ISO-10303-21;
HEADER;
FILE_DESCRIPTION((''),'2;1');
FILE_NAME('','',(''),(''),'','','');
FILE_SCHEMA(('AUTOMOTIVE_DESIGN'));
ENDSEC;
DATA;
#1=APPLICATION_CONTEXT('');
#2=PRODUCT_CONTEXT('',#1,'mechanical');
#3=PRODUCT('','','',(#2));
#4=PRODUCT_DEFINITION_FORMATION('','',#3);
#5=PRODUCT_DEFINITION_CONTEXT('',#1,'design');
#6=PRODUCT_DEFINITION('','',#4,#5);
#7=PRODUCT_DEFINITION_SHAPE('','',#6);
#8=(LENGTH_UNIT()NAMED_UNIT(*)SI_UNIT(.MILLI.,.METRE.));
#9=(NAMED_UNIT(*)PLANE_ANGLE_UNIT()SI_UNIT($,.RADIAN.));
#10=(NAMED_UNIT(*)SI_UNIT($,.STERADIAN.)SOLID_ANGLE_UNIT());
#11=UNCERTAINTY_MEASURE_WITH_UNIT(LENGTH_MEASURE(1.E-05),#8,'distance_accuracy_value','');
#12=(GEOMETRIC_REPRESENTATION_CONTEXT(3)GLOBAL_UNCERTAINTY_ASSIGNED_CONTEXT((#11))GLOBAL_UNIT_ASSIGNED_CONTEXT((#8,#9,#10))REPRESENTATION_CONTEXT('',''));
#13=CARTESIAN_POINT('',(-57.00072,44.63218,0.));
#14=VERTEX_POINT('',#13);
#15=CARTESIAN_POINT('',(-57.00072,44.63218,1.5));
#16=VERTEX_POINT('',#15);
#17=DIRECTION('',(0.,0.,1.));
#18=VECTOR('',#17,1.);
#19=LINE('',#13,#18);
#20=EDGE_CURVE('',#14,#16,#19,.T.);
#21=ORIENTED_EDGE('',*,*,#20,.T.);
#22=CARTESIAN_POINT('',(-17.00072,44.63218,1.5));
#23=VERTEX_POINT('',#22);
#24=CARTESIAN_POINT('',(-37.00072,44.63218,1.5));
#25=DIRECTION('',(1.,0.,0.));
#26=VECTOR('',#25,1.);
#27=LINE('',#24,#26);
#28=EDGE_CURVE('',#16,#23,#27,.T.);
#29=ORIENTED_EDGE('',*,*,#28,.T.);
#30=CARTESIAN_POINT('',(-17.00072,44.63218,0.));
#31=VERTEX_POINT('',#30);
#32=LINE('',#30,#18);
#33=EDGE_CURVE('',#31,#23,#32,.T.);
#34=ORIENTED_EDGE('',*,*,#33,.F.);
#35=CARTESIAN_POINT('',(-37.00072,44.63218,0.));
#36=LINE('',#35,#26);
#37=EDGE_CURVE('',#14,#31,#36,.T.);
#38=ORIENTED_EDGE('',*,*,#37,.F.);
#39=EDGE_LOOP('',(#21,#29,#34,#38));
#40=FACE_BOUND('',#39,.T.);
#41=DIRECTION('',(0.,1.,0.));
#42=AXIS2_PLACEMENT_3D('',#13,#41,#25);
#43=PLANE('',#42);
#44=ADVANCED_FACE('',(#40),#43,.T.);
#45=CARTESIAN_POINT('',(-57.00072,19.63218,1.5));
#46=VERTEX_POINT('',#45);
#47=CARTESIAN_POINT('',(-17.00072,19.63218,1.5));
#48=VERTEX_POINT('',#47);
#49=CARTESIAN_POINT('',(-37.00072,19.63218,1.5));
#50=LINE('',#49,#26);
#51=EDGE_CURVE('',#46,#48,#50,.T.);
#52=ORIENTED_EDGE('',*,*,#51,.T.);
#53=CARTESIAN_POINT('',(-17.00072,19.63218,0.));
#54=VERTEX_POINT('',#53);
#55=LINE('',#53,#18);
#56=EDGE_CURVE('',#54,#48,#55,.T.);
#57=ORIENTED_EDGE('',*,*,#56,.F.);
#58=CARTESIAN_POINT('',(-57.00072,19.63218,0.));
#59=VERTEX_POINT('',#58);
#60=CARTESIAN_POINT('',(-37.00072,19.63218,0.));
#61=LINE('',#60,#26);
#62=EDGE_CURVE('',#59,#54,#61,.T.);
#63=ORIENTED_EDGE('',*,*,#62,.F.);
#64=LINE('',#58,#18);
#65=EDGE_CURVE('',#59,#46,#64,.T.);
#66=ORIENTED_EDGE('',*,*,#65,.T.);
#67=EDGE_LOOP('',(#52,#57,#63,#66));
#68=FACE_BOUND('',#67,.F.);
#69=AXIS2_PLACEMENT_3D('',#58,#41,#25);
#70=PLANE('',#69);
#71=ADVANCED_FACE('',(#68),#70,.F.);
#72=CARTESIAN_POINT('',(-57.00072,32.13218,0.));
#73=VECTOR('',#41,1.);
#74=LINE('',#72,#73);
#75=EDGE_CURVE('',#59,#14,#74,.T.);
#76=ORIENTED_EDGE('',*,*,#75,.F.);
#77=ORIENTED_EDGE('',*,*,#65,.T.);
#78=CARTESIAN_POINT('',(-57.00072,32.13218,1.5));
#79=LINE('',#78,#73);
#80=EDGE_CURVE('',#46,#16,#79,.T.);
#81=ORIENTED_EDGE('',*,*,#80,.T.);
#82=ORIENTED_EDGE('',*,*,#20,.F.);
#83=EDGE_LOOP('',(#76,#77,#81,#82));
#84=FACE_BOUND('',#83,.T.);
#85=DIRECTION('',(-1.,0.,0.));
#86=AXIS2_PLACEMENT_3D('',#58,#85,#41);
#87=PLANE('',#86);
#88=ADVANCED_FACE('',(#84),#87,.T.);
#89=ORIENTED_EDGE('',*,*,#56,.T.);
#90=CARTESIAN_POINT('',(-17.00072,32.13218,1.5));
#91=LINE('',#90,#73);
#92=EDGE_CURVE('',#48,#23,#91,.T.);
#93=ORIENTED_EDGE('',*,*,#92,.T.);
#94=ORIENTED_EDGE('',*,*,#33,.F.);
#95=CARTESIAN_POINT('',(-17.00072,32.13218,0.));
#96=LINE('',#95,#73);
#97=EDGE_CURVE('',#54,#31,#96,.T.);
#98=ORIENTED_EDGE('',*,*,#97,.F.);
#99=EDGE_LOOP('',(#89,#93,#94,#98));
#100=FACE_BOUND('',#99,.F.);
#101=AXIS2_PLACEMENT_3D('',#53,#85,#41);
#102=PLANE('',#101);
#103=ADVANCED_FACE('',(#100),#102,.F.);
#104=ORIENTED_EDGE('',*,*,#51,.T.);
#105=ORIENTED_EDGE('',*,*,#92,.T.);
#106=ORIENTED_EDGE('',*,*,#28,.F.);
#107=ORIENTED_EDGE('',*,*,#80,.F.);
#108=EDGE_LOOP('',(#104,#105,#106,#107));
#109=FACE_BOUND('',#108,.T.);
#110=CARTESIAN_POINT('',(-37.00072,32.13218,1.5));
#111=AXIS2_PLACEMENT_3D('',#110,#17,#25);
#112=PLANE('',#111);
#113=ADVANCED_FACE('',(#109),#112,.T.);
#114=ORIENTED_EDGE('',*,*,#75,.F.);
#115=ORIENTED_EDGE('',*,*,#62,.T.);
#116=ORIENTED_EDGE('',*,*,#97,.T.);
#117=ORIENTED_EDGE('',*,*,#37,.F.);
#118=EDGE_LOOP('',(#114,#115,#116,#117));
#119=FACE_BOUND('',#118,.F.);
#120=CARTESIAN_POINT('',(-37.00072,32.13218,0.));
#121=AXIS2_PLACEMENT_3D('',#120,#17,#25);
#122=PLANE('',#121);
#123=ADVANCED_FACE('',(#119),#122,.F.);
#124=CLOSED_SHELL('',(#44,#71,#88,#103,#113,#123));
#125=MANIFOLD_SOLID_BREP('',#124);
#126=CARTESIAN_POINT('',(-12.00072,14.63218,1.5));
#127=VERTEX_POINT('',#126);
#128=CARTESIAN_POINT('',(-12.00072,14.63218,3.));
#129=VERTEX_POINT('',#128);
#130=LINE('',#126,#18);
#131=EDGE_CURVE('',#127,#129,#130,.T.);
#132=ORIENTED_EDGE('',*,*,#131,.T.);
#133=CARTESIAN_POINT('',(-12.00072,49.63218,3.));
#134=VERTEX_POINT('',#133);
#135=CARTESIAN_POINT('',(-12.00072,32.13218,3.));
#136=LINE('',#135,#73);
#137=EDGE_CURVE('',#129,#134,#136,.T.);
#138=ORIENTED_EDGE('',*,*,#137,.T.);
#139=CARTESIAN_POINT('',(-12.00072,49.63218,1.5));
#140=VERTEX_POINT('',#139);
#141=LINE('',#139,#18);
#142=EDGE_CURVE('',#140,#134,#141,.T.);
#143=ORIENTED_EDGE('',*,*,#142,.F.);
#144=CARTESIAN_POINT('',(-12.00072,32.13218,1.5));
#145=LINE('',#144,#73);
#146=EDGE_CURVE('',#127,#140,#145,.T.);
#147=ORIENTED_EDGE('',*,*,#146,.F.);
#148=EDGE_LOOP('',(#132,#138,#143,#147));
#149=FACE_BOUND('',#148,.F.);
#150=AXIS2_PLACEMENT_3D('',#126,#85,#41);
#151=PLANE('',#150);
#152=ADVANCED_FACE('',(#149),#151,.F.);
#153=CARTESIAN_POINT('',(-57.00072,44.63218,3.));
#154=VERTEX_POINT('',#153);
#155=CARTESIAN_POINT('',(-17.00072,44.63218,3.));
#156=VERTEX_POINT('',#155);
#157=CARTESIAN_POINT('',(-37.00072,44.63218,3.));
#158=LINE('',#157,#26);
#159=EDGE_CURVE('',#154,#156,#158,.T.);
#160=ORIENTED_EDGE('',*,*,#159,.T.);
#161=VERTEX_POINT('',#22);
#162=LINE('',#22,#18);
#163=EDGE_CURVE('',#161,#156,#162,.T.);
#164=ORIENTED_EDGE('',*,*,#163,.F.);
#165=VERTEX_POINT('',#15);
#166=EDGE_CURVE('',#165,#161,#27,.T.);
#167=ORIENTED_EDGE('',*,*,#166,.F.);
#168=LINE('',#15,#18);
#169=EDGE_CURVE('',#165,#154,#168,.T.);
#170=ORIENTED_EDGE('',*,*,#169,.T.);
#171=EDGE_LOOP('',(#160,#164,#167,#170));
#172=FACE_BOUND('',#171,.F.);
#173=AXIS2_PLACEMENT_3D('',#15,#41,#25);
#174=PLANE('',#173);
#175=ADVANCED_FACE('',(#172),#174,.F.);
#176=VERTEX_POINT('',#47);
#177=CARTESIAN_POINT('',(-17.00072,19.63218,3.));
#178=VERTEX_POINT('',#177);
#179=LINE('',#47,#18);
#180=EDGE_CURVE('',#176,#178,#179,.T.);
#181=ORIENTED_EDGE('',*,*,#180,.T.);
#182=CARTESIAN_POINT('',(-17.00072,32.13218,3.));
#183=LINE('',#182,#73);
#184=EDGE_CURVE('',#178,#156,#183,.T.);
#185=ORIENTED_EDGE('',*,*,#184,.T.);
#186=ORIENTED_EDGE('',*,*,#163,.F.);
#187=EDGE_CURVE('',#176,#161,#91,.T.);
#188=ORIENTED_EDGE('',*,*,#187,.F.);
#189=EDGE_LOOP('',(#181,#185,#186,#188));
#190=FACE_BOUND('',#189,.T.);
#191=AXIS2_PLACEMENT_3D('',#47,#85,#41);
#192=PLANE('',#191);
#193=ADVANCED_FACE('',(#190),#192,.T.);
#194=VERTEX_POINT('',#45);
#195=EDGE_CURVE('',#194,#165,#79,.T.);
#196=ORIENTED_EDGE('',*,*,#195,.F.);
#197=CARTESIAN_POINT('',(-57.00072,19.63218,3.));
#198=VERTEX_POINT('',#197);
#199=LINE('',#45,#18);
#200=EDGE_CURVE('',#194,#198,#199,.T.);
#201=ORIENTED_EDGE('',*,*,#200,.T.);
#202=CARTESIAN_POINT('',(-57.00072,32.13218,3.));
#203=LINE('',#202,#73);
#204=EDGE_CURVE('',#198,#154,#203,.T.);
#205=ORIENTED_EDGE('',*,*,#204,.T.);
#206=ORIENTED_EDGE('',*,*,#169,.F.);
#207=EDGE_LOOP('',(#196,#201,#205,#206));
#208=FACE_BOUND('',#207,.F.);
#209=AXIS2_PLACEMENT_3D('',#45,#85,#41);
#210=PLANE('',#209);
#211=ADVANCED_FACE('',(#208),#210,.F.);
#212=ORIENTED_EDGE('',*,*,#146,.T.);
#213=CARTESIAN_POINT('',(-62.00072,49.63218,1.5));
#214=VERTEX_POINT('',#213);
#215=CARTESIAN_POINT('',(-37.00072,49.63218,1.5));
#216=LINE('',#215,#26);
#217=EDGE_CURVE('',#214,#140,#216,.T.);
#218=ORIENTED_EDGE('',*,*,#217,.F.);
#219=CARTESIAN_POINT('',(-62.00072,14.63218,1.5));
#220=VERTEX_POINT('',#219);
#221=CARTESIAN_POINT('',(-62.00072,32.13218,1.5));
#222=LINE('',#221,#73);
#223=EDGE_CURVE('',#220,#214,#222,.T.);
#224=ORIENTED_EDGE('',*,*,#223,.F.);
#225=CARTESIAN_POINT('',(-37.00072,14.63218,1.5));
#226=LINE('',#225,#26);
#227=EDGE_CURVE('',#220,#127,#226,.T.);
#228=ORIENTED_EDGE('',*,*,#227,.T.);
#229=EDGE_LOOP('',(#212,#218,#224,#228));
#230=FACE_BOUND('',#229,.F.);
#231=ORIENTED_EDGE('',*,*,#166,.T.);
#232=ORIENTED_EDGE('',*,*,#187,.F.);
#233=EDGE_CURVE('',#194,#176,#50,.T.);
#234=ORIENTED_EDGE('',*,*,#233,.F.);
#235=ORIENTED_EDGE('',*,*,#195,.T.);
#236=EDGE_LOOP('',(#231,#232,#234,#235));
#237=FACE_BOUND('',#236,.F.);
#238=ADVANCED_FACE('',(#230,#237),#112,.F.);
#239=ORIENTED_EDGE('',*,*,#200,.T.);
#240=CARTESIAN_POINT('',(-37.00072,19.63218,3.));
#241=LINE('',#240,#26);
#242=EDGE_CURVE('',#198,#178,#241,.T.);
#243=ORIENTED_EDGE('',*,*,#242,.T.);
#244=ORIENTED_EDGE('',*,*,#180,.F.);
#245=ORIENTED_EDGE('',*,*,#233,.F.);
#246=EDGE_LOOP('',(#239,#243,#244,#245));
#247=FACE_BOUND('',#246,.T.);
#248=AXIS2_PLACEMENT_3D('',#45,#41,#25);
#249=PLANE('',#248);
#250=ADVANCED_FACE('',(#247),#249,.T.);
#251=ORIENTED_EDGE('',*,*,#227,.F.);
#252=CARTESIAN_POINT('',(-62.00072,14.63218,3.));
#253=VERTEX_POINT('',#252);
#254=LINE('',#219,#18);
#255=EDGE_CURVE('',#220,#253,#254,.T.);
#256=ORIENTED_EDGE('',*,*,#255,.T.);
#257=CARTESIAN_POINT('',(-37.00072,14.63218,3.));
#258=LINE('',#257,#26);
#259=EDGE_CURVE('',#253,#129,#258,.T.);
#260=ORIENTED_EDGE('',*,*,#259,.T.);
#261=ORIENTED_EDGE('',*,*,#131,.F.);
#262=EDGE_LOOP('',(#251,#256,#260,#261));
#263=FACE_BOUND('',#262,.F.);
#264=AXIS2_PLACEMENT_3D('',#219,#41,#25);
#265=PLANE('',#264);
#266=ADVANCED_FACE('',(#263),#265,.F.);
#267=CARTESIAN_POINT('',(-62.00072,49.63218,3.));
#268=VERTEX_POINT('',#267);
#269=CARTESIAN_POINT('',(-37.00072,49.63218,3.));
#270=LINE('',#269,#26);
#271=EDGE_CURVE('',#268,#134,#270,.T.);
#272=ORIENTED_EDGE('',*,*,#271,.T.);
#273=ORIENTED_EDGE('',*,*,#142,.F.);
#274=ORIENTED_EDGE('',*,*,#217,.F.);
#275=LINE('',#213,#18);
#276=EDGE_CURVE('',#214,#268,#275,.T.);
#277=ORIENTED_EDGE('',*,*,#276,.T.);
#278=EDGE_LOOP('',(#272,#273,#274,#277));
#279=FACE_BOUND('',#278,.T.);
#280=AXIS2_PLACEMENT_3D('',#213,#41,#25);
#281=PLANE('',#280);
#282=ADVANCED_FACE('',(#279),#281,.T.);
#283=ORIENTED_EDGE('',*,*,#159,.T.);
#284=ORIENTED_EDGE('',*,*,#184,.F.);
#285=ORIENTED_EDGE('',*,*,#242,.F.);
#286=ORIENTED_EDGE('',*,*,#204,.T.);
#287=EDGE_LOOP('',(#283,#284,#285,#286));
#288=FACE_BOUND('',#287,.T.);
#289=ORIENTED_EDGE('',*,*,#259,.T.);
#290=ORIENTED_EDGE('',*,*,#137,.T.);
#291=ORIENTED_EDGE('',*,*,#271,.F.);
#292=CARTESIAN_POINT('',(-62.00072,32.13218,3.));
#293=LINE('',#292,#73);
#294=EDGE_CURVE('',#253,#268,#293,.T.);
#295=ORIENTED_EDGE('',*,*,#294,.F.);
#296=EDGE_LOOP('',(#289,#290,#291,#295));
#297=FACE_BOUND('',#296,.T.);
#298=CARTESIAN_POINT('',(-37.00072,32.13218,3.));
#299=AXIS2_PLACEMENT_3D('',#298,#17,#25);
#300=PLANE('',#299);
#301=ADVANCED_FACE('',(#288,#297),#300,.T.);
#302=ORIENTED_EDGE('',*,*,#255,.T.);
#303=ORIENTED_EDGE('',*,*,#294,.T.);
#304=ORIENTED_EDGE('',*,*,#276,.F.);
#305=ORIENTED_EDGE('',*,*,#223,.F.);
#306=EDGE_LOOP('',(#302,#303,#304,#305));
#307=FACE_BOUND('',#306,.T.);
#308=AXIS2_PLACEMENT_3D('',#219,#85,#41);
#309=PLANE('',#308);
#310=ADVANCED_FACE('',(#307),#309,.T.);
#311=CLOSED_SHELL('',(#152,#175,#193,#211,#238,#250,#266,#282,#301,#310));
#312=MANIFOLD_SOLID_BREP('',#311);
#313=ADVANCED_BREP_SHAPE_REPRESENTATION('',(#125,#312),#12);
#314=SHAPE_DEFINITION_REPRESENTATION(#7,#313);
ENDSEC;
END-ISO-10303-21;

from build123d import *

# Parameters (mm, degrees)
F0_W     = 40
F0_H     = 25
F1_DEPTH = 1.5
F2_W     = 50
F2_H     = 35
F2_W_2   = 40
F2_H_2   = 25
F3_DEPTH = 1.5


with BuildPart() as f1:
    # F0 (on Top) → F1 (new body)
    with BuildSketch(Plane.XY):
        with Locations((-37.00072, 32.13218)):
            Rectangle(F0_W, F0_H)
    extrude(amount=F1_DEPTH)


with BuildPart() as f3:
    # F2 (on face) → F3 (new body)
    with BuildSketch(Plane.XY.offset(1.5)):
        with Locations((-37.00072, 32.13218)):
            Rectangle(F2_W, F2_H)
        with Locations((-37.00072, 32.13218)):
            Rectangle(F2_W_2, F2_H_2, mode=Mode.SUBTRACT)
    extrude(amount=F3_DEPTH)


solid = Compound([f1.part, f3.part])
